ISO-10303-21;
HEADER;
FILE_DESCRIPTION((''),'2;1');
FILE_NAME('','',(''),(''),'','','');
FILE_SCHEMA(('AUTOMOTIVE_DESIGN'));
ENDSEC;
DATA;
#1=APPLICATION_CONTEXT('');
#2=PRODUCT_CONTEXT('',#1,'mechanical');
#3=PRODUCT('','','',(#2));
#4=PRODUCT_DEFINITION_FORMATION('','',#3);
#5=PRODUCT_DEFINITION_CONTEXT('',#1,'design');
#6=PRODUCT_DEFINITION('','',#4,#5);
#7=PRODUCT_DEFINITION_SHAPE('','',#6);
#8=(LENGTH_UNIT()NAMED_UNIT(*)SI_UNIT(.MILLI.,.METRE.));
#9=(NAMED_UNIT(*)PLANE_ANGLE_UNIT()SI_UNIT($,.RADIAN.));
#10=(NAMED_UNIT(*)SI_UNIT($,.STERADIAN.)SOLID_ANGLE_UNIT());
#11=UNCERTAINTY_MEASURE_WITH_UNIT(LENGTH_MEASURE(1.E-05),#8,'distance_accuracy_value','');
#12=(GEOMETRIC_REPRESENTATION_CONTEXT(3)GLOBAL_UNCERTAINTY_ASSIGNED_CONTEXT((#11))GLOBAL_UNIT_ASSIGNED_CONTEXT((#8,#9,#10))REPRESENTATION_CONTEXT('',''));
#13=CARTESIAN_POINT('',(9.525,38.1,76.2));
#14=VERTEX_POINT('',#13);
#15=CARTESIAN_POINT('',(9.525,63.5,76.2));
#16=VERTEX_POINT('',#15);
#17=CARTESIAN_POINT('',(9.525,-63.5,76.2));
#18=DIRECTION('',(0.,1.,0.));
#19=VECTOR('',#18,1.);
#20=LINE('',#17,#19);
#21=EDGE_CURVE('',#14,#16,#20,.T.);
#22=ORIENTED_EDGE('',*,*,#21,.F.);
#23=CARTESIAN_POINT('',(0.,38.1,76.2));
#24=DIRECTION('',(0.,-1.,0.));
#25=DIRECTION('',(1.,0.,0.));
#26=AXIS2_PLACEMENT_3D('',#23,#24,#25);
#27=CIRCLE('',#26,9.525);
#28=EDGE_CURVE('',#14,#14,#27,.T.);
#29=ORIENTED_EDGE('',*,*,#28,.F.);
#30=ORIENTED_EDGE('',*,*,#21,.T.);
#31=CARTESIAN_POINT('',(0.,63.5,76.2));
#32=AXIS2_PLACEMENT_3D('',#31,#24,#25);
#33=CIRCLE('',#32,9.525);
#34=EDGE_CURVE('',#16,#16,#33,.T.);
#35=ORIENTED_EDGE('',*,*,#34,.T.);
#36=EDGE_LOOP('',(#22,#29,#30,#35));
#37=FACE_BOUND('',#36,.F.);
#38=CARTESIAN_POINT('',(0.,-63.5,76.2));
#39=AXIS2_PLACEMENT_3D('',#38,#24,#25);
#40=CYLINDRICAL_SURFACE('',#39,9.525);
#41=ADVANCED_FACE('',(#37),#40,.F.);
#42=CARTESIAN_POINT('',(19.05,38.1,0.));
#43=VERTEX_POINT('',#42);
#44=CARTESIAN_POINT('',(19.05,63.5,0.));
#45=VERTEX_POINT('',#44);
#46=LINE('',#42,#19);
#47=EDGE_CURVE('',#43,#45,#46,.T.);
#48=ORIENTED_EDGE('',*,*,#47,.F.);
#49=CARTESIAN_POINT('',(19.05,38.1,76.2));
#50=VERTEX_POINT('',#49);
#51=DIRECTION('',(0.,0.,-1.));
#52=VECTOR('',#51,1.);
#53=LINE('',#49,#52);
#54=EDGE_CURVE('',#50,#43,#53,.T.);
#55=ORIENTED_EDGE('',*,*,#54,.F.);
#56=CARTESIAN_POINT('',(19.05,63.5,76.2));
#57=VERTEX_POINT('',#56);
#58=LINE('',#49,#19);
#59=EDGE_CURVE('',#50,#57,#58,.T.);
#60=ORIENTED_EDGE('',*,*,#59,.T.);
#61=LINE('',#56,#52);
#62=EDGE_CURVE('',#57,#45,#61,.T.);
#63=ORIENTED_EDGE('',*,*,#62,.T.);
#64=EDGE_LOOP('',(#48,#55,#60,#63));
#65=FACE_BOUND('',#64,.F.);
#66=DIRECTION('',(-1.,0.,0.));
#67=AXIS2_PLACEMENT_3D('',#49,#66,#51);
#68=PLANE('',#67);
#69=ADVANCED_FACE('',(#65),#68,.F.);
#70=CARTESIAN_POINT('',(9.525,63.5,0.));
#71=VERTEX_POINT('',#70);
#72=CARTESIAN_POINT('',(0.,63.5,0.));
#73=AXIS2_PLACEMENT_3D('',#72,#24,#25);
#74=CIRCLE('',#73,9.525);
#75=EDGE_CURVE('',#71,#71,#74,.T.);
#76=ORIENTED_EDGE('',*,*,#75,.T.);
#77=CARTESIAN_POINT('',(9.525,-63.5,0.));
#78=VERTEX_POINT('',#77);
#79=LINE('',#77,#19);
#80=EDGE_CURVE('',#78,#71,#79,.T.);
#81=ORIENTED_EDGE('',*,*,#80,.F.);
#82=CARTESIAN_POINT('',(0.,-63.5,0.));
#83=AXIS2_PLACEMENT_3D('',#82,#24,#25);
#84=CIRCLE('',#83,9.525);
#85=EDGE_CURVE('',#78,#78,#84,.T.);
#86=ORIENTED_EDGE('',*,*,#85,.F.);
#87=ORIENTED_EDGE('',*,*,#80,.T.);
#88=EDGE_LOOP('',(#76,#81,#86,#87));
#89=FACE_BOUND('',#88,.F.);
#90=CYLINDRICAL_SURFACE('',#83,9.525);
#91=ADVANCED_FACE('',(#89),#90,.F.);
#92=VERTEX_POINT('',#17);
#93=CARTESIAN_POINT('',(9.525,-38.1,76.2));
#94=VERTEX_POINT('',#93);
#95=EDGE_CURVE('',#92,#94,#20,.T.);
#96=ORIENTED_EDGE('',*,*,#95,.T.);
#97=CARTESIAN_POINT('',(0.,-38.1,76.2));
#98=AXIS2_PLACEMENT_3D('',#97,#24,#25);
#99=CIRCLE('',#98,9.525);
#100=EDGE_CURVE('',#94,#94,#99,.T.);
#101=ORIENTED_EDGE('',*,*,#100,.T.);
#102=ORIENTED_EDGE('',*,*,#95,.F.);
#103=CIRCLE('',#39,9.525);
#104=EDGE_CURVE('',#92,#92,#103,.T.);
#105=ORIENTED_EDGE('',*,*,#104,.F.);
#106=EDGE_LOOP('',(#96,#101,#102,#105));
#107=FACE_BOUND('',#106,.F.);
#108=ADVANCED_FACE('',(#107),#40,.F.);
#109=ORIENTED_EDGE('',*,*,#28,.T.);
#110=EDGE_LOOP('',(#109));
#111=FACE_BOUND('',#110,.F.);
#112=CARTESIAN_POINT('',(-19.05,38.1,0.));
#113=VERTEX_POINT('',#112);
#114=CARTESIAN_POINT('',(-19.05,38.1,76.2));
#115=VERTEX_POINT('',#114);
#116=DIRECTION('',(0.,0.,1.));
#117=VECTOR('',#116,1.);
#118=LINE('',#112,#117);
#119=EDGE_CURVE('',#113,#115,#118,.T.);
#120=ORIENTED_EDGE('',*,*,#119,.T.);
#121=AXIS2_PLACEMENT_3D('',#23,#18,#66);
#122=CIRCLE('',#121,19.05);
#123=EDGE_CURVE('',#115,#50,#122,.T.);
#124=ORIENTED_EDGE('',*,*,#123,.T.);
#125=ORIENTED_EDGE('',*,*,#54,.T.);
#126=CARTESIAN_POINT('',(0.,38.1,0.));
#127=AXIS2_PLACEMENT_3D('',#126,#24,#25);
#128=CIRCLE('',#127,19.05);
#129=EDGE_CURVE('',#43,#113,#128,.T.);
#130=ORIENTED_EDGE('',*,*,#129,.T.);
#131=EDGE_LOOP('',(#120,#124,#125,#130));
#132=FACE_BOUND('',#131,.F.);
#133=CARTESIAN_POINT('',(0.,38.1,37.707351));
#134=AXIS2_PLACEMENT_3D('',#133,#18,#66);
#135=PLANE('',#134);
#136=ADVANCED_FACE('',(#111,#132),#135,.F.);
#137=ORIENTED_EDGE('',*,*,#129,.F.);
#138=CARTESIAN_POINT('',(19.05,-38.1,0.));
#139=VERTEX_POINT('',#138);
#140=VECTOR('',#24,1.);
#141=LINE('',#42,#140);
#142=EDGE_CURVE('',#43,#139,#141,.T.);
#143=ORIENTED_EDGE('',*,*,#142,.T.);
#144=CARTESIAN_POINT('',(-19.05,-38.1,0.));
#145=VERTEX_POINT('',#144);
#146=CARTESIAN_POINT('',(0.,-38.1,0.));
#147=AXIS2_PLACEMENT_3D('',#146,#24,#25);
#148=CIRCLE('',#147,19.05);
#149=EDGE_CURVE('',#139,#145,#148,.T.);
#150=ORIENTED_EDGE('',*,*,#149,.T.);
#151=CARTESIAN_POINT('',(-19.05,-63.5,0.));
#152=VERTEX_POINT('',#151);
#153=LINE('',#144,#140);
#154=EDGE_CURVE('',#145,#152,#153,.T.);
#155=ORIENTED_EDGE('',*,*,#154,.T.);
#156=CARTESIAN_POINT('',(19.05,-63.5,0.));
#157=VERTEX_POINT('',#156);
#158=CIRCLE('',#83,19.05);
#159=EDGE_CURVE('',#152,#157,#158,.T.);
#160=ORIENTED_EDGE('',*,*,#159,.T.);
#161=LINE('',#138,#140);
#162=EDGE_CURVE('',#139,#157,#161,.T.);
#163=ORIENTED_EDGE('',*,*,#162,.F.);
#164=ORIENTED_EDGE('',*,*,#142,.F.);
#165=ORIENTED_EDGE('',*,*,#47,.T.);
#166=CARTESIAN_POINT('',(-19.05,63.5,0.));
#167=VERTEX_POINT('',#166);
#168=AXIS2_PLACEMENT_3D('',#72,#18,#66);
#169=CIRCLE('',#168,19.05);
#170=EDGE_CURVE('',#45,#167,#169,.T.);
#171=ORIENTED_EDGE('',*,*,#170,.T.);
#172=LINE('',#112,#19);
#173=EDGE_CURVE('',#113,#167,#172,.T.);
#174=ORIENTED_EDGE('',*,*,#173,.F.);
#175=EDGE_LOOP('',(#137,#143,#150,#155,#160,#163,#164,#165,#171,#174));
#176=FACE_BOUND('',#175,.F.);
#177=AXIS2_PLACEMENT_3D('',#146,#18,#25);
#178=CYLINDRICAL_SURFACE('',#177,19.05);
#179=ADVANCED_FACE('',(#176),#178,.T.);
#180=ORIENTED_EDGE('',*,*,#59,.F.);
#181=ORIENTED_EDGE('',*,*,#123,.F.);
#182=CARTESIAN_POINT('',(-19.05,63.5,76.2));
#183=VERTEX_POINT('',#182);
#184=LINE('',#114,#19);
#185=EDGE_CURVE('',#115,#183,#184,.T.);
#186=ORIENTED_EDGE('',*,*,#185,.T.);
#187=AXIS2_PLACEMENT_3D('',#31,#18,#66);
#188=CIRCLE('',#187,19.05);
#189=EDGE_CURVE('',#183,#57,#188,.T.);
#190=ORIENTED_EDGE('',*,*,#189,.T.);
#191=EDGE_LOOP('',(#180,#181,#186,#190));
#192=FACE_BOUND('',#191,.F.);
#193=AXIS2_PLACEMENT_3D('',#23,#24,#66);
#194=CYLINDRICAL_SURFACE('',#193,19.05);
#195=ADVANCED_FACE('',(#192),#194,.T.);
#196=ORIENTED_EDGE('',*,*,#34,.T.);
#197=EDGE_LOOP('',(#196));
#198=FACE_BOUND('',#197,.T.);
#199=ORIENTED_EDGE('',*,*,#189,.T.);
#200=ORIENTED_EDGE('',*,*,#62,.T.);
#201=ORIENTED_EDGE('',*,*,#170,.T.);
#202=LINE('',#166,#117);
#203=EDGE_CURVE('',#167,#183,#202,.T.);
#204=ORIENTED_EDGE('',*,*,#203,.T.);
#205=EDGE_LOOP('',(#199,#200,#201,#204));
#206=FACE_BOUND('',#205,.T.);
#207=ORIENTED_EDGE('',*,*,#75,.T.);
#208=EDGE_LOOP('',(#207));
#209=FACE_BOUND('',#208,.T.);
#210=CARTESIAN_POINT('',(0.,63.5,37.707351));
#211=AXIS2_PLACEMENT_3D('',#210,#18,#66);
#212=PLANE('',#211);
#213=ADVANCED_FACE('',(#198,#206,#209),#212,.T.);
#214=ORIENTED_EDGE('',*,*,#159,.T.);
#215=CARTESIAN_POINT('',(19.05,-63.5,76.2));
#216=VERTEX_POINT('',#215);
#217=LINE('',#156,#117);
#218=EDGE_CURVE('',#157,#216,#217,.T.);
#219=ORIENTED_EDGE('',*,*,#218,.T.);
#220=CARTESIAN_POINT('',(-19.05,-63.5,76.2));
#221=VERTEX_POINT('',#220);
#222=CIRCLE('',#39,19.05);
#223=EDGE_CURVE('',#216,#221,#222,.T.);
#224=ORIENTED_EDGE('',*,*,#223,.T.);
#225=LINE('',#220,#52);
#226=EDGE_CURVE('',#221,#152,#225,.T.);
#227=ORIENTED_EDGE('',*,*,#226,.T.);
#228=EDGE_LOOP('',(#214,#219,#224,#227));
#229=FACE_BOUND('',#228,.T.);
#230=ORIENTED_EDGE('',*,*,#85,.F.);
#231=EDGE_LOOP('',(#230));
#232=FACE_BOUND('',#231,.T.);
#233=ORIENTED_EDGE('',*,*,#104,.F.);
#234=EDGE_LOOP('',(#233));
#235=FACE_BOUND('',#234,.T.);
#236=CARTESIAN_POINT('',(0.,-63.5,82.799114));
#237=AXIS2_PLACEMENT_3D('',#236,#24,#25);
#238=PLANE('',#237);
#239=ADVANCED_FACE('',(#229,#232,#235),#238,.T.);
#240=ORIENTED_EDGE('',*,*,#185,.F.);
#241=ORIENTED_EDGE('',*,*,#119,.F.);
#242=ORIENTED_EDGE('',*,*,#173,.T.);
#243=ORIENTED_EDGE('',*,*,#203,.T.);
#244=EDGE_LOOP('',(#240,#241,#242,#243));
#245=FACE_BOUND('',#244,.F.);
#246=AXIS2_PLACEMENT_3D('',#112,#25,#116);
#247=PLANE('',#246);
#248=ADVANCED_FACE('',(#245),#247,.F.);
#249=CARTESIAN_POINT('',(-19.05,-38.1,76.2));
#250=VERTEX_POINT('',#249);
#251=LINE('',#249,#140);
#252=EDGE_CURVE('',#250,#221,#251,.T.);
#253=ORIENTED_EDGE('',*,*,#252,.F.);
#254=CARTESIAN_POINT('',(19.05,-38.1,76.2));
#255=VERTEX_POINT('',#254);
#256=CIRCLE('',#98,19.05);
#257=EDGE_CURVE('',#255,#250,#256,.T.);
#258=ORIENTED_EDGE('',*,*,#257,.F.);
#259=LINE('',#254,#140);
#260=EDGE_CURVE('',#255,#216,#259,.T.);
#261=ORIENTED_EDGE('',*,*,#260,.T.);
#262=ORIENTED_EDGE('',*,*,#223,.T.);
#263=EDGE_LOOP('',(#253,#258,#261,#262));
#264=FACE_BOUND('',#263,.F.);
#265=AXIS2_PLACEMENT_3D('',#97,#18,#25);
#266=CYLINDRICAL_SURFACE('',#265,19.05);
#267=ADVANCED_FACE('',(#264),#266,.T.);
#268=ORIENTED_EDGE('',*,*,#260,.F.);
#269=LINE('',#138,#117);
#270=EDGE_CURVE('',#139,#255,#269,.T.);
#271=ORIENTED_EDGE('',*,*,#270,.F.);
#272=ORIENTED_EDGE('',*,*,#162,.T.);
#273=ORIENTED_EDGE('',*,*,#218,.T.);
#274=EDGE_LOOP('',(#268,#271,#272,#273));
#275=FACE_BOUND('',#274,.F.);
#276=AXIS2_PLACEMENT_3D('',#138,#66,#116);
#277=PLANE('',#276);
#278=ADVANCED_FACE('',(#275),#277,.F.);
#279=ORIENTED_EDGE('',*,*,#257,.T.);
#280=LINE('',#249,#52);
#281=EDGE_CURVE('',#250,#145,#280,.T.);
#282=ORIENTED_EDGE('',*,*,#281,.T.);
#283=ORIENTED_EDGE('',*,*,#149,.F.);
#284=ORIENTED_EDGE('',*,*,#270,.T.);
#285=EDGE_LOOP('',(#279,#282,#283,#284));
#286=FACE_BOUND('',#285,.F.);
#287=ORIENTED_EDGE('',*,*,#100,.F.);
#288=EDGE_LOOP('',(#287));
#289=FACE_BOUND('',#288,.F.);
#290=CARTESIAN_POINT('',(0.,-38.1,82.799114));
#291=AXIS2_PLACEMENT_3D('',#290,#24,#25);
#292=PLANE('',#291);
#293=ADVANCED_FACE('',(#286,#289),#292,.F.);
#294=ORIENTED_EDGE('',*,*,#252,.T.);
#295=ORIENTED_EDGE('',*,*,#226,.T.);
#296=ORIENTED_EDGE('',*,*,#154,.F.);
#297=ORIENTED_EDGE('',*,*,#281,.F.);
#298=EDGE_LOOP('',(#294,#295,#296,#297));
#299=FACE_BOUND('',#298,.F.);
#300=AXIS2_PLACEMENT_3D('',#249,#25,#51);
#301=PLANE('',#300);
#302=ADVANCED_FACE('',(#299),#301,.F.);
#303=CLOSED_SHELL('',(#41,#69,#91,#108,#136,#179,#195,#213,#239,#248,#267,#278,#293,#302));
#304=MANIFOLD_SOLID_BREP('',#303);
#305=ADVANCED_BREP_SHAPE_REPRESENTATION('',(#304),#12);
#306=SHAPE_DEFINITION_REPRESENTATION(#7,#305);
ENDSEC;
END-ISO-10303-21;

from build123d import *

# Parameters (mm, degrees)
F0_R     = 19.05
F1_DEPTH = 38.1
F3_DEPTH = 25.4
F5_DEPTH = 25.4
F6_R     = 9.525
F7_DEPTH = 138.43


with BuildPart() as f1:
    # F0 (on Front) → F1 (new body, symmetric)
    with BuildSketch(Plane.XZ):
        Circle(F0_R)
    extrude(amount=F1_DEPTH, both=True)

    # F2 (on face) → F3 (join)
    with BuildSketch(Plane(origin=(0, 38.1, 0), x_dir=(-1, 0, 0), z_dir=(0, 1, 0))):
        with BuildLine():
            ThreePointArc((-19.05, 0), (0, 19.05), (19.05, 0))
            Line((19.05, 0), (19.05, 76.2))
            Line((19.05, 76.2), (-19.05, 76.2))
            Line((-19.05, 76.2), (-19.05, 0))
        make_face()
        with BuildLine():
            Line((-19.05, 76.2), (19.05, 76.2))
            ThreePointArc((19.05, 76.2), (0, 95.25), (-19.05, 76.2))
        make_face()
        with BuildLine():
            ThreePointArc((-19.05, 0), (0, -19.05), (19.05, 0))
            ThreePointArc((19.05, 0), (0, 19.05), (-19.05, 0))
        make_face()
    extrude(amount=F3_DEPTH)

    # F4 (on face) → F5 (join)
    with BuildSketch(Plane.XZ.offset(38.1)):
        with BuildLine():
            Line((-19.05, 76.2), (19.05, 76.2))
            ThreePointArc((19.05, 76.2), (0, 95.25), (-19.05, 76.2))
        make_face()
        with BuildLine():
            ThreePointArc((-19.05, 0), (0, 19.05), (19.05, 0))
            Line((19.05, 0), (19.05, 76.2))
            Line((19.05, 76.2), (-19.05, 76.2))
            Line((-19.05, 76.2), (-19.05, 0))
        make_face()
        with BuildLine():
            ThreePointArc((-19.05, 0), (0, -19.05), (19.05, 0))
            ThreePointArc((19.05, 0), (0, 19.05), (-19.05, 0))
        make_face()
    extrude(amount=F5_DEPTH)

    # F6 (on face) → F7 (cut)
    with BuildSketch(Plane.XZ.offset(63.5)):
        with Locations((0, 76.2)):
            Circle(F6_R)
        Circle(F6_R)
    extrude(amount=-F7_DEPTH, mode=Mode.SUBTRACT)


solid = f1.part
